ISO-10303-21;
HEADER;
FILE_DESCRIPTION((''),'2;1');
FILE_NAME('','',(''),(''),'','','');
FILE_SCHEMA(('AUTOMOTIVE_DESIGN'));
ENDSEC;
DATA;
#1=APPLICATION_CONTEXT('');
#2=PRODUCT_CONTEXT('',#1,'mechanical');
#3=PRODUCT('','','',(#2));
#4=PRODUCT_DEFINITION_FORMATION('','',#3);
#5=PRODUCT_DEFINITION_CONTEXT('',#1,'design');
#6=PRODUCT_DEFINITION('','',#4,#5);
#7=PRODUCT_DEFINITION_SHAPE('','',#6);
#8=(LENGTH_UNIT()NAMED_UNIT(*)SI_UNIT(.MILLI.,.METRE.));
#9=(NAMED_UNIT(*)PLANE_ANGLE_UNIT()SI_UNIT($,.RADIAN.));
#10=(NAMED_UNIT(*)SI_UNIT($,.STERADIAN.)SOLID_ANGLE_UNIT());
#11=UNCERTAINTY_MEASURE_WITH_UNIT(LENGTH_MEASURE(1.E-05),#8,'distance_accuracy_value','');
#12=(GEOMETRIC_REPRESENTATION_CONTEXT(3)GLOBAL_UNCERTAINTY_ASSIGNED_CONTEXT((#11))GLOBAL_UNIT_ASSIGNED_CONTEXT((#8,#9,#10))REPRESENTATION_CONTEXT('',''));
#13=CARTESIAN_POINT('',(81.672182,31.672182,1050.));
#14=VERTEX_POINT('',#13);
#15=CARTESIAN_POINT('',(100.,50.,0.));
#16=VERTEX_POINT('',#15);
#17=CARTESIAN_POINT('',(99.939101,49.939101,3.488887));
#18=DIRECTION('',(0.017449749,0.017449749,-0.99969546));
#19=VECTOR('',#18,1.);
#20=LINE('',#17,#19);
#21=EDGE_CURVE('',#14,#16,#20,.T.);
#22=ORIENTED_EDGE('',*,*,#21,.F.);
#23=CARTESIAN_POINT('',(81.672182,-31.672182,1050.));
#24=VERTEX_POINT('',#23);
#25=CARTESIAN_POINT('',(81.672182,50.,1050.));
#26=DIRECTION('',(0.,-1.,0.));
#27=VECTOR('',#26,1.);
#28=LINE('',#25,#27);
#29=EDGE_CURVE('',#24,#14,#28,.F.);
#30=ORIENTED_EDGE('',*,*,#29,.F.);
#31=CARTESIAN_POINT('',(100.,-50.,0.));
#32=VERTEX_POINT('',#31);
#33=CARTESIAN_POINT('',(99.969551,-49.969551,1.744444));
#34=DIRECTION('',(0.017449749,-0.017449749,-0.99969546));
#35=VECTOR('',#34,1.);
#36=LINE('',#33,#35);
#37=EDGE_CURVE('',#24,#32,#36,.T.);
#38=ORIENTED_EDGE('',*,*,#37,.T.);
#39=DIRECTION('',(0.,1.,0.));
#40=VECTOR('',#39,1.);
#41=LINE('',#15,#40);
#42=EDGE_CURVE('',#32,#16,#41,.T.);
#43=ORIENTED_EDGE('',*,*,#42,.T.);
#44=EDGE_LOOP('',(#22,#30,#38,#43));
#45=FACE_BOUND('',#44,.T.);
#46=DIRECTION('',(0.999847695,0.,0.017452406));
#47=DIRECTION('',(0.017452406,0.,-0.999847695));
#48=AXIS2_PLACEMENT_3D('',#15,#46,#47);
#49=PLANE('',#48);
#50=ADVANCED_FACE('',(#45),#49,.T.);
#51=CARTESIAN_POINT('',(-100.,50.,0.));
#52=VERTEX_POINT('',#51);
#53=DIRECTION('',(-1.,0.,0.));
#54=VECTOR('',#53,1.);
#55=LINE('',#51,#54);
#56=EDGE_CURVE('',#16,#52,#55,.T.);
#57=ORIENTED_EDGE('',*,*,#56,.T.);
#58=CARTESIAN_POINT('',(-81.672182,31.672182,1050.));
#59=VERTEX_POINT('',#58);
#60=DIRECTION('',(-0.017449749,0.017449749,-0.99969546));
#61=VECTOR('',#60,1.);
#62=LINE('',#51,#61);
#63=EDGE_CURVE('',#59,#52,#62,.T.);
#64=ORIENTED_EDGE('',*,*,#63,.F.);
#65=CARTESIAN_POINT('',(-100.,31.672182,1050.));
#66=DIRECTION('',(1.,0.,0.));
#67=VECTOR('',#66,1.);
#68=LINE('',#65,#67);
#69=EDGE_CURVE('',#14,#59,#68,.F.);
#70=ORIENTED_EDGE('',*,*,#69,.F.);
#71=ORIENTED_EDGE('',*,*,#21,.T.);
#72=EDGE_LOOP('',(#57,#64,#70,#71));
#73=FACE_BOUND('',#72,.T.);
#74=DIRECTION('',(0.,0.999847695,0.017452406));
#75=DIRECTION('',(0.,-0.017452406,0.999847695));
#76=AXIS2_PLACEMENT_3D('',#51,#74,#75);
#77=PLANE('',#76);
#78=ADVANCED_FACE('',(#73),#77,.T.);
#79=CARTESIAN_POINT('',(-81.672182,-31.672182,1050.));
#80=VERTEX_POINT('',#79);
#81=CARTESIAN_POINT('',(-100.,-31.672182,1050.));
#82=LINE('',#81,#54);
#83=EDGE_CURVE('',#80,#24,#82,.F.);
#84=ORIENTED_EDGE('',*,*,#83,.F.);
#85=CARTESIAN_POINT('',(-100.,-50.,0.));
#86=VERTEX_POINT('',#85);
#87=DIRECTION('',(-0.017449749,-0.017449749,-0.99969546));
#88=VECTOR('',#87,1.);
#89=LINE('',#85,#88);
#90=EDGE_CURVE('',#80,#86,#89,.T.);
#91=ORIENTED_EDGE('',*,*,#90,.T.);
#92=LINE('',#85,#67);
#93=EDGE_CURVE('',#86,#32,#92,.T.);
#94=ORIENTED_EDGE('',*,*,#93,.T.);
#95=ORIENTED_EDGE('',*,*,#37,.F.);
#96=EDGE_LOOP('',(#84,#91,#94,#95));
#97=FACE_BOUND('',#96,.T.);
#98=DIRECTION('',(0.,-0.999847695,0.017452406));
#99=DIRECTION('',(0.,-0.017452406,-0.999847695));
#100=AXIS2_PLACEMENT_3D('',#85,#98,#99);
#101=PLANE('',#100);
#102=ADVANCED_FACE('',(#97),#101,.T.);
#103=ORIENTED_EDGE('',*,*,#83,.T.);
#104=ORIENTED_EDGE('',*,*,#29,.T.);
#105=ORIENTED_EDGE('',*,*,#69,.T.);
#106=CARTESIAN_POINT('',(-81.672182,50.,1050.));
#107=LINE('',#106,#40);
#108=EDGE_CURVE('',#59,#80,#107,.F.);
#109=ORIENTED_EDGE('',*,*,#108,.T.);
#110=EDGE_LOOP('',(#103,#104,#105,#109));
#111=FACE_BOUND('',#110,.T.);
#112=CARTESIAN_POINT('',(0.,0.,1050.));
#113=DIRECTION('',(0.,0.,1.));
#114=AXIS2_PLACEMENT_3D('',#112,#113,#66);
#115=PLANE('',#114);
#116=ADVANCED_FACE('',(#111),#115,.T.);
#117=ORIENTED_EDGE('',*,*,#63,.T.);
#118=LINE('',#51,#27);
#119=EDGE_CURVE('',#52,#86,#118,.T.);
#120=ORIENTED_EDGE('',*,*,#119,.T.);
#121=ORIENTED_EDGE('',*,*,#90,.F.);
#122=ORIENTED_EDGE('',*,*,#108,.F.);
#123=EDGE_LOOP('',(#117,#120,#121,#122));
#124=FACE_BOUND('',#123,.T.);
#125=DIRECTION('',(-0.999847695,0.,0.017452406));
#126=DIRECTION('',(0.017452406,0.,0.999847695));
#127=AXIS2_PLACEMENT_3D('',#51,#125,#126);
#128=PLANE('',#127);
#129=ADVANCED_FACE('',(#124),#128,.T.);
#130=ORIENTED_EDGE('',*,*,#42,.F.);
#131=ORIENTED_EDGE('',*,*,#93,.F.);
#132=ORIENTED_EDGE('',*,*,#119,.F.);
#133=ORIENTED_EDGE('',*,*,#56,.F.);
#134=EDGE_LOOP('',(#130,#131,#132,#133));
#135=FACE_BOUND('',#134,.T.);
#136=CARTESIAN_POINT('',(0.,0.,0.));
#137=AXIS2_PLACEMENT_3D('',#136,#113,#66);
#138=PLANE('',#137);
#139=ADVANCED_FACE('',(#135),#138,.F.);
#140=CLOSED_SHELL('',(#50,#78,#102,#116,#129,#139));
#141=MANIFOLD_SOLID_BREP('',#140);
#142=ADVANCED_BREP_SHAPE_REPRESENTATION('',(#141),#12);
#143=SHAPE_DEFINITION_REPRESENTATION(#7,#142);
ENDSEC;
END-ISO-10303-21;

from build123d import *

# Parameters (mm, degrees)
SKETCH2_W           = 200
SKETCH2_H           = 100
BOSS_EXTRUDE1_DEPTH = 1050
BOSS_EXTRUDE1_TAPER = 1


with BuildPart() as part:
    # Sketch2 → Boss-Extrude1 (new body)
    with BuildSketch(Plane.XY):
        Rectangle(SKETCH2_W, SKETCH2_H)
    extrude(amount=BOSS_EXTRUDE1_DEPTH, taper=BOSS_EXTRUDE1_TAPER)


solid = part.part
